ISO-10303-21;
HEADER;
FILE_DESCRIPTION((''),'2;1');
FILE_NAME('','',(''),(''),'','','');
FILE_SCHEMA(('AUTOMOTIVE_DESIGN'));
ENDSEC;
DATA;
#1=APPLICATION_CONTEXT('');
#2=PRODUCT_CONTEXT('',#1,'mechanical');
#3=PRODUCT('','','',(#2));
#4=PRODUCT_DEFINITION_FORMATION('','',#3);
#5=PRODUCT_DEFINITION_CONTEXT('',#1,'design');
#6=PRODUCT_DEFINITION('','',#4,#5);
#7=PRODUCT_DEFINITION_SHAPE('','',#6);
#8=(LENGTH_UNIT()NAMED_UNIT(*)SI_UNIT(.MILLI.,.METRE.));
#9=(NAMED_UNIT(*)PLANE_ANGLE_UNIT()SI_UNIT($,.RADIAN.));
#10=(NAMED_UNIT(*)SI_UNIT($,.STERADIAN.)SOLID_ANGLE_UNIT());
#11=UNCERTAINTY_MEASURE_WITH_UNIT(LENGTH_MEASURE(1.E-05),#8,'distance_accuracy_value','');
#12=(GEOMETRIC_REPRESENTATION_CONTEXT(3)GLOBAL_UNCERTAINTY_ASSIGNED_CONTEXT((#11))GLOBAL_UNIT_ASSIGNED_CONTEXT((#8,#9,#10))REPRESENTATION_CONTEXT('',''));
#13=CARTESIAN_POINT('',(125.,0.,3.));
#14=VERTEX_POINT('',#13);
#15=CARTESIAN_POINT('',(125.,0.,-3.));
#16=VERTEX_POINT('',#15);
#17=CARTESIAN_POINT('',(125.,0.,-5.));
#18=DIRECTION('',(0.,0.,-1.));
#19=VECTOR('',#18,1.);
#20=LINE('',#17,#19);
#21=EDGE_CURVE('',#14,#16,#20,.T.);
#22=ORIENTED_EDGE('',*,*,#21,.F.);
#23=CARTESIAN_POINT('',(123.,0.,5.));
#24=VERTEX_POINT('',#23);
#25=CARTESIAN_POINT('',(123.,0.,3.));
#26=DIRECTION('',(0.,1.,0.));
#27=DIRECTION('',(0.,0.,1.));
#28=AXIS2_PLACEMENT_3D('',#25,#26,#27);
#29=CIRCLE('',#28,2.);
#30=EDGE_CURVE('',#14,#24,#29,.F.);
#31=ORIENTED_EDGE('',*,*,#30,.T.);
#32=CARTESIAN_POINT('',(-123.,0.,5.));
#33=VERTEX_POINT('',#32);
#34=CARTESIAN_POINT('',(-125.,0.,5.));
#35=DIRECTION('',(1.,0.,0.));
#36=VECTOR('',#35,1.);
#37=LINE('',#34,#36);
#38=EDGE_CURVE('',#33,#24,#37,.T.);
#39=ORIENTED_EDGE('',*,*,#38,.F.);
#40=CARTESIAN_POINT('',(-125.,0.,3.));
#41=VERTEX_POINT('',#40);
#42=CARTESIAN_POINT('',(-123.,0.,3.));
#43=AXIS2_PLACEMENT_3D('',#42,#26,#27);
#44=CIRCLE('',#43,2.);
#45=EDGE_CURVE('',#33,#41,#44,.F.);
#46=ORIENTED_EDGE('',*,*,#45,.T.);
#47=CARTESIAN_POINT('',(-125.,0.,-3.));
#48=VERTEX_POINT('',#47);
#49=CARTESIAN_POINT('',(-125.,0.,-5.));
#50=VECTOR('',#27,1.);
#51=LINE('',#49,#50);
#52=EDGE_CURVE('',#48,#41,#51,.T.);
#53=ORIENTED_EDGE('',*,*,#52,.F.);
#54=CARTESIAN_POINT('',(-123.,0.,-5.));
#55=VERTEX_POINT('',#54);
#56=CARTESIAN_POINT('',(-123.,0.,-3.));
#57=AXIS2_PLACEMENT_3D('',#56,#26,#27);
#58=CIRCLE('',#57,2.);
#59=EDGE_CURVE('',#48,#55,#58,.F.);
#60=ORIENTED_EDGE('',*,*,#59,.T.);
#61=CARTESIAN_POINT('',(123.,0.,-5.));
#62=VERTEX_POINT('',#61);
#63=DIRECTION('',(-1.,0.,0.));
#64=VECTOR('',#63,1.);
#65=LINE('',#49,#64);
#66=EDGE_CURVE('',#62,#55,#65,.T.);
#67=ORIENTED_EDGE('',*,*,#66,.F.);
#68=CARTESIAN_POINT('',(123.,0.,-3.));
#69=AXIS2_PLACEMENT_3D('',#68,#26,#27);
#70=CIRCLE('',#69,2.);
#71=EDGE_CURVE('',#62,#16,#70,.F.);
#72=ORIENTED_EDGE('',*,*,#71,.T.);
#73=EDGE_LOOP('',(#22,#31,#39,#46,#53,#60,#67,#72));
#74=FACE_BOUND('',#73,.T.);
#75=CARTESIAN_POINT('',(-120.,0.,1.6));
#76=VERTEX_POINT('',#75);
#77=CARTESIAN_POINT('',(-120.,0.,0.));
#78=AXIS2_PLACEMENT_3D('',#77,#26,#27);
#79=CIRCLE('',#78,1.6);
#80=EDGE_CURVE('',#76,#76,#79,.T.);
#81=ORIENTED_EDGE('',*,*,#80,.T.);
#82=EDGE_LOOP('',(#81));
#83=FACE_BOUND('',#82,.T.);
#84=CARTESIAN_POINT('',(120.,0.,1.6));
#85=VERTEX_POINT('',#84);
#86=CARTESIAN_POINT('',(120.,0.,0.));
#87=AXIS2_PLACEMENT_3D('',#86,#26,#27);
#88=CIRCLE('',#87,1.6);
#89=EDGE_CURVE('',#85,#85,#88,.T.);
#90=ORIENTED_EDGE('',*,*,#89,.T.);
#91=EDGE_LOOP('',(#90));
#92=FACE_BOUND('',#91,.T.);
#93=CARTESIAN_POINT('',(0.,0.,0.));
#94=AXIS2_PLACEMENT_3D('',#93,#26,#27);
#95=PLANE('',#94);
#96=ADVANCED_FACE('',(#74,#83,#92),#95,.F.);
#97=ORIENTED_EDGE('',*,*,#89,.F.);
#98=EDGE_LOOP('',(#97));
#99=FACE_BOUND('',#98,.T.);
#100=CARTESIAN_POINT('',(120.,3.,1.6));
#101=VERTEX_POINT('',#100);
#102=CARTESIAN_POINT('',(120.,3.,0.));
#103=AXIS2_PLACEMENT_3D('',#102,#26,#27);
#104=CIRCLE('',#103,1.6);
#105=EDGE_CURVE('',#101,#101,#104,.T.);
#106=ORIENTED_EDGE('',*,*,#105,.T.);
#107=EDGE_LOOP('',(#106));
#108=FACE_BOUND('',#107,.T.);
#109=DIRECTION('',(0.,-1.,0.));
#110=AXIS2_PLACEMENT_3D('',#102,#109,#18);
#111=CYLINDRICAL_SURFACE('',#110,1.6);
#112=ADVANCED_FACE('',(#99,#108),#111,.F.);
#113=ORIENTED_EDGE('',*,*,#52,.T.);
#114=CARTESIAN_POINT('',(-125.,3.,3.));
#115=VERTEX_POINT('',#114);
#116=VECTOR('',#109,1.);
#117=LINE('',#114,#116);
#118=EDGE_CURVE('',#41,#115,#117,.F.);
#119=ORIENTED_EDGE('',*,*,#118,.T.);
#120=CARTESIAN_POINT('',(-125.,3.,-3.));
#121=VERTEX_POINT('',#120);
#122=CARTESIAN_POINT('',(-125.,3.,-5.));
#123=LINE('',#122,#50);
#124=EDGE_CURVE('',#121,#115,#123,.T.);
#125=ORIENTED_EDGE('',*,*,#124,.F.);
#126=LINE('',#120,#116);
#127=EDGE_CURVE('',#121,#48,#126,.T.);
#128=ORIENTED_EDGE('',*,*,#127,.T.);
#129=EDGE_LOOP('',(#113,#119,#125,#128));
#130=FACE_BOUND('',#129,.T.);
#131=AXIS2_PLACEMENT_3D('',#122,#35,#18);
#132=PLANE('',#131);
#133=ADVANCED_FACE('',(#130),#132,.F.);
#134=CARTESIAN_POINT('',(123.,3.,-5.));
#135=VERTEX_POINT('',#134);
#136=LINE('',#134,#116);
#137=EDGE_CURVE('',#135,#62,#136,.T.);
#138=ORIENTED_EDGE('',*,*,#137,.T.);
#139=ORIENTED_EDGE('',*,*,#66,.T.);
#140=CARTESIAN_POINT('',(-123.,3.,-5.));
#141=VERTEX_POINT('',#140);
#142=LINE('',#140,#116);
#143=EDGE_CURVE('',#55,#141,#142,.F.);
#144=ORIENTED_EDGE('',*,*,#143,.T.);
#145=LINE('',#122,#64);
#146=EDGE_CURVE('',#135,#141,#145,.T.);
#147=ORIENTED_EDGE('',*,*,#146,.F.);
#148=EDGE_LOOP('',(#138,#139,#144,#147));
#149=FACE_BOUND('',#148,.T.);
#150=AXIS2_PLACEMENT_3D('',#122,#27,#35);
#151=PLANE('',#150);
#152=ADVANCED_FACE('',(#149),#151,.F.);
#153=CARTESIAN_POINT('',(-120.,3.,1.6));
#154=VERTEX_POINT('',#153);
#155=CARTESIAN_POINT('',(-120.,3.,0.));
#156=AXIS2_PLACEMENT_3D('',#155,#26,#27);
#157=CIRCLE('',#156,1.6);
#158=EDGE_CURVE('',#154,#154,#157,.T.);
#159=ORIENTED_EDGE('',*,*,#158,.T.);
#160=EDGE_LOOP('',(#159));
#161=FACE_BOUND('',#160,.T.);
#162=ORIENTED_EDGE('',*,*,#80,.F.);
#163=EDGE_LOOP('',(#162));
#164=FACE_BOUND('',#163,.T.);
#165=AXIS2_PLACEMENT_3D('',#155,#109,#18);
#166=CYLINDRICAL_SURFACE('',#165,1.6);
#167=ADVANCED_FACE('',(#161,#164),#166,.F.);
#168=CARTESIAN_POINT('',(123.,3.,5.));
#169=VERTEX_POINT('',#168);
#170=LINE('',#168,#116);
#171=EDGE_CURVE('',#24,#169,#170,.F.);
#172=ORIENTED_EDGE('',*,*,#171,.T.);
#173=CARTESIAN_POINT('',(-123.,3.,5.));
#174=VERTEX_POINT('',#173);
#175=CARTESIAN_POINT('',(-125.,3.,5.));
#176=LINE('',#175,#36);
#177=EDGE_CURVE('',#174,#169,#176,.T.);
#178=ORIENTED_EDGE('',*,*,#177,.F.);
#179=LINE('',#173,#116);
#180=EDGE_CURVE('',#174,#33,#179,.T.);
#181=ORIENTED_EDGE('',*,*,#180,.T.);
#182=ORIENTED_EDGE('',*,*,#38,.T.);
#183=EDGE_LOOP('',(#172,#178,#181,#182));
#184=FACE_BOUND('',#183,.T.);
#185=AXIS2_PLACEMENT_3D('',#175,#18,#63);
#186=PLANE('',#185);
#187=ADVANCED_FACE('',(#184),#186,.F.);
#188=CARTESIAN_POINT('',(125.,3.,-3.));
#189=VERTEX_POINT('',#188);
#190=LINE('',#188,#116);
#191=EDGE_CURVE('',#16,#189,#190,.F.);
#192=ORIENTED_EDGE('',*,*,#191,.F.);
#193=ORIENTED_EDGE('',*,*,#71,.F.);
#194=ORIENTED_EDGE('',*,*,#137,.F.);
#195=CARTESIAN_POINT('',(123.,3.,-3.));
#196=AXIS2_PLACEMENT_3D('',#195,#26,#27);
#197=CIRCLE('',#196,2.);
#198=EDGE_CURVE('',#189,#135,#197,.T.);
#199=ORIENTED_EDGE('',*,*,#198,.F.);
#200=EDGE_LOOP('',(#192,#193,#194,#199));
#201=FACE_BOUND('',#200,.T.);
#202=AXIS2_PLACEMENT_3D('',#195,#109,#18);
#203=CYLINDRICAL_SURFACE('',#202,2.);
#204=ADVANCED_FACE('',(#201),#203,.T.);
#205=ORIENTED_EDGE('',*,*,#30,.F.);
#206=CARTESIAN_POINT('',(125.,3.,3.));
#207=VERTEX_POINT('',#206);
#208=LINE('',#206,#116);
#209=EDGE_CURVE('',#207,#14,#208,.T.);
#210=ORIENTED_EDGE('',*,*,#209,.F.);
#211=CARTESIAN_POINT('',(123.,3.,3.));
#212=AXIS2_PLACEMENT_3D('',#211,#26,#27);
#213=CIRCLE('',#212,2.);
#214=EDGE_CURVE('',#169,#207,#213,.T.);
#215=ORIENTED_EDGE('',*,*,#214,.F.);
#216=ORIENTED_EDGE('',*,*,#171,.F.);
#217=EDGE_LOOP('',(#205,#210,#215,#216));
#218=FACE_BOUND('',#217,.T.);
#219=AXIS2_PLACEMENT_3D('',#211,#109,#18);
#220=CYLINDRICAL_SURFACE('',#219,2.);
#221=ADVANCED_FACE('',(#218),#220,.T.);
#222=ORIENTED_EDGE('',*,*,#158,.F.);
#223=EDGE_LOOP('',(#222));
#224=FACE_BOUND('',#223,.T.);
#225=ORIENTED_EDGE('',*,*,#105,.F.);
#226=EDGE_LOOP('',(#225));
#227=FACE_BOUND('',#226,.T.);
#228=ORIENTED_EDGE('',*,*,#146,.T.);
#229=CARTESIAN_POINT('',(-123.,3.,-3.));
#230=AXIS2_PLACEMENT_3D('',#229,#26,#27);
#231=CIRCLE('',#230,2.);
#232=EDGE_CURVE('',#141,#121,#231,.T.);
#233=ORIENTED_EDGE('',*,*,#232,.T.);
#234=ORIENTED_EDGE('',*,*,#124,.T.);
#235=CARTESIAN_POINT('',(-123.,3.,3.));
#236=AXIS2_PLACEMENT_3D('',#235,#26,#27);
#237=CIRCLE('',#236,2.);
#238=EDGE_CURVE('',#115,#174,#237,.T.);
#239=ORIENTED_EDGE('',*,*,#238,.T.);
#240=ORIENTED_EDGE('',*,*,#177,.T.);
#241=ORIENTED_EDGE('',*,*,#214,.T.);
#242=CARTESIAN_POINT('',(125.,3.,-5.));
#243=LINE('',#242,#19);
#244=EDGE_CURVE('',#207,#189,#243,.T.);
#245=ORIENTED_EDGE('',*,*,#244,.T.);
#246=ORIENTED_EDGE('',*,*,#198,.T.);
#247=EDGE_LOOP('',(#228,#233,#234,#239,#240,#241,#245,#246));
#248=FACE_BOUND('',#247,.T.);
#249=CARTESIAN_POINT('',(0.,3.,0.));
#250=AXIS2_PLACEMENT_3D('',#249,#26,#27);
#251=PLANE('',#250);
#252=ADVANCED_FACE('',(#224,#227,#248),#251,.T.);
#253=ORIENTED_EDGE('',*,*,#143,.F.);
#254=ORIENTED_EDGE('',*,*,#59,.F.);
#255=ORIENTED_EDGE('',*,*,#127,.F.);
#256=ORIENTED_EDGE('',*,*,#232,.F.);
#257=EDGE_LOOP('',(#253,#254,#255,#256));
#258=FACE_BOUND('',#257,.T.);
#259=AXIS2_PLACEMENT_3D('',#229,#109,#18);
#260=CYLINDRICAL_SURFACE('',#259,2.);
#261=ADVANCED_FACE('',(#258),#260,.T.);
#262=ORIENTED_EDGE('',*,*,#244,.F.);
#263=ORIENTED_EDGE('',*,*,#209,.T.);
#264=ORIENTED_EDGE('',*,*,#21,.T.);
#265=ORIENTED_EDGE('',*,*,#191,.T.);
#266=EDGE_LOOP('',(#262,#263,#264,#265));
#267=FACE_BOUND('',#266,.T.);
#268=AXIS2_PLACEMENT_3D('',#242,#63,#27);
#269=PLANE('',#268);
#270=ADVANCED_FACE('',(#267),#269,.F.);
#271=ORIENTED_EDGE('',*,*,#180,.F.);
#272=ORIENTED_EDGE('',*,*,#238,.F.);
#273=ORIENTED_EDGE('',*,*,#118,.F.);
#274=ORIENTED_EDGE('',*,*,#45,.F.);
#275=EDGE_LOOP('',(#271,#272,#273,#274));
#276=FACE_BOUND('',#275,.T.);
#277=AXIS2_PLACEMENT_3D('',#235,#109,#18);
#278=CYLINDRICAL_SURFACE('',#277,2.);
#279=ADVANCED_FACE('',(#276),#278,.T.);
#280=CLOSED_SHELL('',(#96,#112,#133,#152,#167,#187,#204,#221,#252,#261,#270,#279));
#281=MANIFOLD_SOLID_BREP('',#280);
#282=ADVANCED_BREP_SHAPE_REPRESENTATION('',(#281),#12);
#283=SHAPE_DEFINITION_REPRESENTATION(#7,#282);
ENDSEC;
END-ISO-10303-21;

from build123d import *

# Parameters (mm, degrees)
SKETCH_1_W      = 250
SKETCH_1_H      = 10
SKETCH_1_R      = 1.6
EXTRUDE_1_DEPTH = 3
FILLET_2_R      = 2
FILLET_3_R      = 2


with BuildPart() as part:
    # 草图1 → 凸台-拉伸1 (new body)
    with BuildSketch(Plane(origin=(0, 0, 0), x_dir=(1, 0, 0), z_dir=(0, 1, 0))):
        Rectangle(SKETCH_1_W, SKETCH_1_H)
        with Locations(Location((-120, 0, 0), (0, 0, 270))):
            Circle(SKETCH_1_R, mode=Mode.SUBTRACT)
        with Locations(Location((120, 0, 0), (0, 0, 270))):
            Circle(SKETCH_1_R, mode=Mode.SUBTRACT)
    extrude(amount=EXTRUDE_1_DEPTH)

    # 圆角2
    fillet_2_edges = [part.edges().sort_by_distance(p)[0] for p in [
        (-125, 1.5, 5),
    ]]
    fillet(fillet_2_edges, radius=FILLET_2_R)

    # 圆角3
    fillet_3_edges = [part.edges().sort_by_distance(p)[0] for p in [
        (125, 1.5, 5),
        (-125, 1.5, -5),
        (125, 1.5, -5),
    ]]
    fillet(fillet_3_edges, radius=FILLET_3_R)


solid = part.part
